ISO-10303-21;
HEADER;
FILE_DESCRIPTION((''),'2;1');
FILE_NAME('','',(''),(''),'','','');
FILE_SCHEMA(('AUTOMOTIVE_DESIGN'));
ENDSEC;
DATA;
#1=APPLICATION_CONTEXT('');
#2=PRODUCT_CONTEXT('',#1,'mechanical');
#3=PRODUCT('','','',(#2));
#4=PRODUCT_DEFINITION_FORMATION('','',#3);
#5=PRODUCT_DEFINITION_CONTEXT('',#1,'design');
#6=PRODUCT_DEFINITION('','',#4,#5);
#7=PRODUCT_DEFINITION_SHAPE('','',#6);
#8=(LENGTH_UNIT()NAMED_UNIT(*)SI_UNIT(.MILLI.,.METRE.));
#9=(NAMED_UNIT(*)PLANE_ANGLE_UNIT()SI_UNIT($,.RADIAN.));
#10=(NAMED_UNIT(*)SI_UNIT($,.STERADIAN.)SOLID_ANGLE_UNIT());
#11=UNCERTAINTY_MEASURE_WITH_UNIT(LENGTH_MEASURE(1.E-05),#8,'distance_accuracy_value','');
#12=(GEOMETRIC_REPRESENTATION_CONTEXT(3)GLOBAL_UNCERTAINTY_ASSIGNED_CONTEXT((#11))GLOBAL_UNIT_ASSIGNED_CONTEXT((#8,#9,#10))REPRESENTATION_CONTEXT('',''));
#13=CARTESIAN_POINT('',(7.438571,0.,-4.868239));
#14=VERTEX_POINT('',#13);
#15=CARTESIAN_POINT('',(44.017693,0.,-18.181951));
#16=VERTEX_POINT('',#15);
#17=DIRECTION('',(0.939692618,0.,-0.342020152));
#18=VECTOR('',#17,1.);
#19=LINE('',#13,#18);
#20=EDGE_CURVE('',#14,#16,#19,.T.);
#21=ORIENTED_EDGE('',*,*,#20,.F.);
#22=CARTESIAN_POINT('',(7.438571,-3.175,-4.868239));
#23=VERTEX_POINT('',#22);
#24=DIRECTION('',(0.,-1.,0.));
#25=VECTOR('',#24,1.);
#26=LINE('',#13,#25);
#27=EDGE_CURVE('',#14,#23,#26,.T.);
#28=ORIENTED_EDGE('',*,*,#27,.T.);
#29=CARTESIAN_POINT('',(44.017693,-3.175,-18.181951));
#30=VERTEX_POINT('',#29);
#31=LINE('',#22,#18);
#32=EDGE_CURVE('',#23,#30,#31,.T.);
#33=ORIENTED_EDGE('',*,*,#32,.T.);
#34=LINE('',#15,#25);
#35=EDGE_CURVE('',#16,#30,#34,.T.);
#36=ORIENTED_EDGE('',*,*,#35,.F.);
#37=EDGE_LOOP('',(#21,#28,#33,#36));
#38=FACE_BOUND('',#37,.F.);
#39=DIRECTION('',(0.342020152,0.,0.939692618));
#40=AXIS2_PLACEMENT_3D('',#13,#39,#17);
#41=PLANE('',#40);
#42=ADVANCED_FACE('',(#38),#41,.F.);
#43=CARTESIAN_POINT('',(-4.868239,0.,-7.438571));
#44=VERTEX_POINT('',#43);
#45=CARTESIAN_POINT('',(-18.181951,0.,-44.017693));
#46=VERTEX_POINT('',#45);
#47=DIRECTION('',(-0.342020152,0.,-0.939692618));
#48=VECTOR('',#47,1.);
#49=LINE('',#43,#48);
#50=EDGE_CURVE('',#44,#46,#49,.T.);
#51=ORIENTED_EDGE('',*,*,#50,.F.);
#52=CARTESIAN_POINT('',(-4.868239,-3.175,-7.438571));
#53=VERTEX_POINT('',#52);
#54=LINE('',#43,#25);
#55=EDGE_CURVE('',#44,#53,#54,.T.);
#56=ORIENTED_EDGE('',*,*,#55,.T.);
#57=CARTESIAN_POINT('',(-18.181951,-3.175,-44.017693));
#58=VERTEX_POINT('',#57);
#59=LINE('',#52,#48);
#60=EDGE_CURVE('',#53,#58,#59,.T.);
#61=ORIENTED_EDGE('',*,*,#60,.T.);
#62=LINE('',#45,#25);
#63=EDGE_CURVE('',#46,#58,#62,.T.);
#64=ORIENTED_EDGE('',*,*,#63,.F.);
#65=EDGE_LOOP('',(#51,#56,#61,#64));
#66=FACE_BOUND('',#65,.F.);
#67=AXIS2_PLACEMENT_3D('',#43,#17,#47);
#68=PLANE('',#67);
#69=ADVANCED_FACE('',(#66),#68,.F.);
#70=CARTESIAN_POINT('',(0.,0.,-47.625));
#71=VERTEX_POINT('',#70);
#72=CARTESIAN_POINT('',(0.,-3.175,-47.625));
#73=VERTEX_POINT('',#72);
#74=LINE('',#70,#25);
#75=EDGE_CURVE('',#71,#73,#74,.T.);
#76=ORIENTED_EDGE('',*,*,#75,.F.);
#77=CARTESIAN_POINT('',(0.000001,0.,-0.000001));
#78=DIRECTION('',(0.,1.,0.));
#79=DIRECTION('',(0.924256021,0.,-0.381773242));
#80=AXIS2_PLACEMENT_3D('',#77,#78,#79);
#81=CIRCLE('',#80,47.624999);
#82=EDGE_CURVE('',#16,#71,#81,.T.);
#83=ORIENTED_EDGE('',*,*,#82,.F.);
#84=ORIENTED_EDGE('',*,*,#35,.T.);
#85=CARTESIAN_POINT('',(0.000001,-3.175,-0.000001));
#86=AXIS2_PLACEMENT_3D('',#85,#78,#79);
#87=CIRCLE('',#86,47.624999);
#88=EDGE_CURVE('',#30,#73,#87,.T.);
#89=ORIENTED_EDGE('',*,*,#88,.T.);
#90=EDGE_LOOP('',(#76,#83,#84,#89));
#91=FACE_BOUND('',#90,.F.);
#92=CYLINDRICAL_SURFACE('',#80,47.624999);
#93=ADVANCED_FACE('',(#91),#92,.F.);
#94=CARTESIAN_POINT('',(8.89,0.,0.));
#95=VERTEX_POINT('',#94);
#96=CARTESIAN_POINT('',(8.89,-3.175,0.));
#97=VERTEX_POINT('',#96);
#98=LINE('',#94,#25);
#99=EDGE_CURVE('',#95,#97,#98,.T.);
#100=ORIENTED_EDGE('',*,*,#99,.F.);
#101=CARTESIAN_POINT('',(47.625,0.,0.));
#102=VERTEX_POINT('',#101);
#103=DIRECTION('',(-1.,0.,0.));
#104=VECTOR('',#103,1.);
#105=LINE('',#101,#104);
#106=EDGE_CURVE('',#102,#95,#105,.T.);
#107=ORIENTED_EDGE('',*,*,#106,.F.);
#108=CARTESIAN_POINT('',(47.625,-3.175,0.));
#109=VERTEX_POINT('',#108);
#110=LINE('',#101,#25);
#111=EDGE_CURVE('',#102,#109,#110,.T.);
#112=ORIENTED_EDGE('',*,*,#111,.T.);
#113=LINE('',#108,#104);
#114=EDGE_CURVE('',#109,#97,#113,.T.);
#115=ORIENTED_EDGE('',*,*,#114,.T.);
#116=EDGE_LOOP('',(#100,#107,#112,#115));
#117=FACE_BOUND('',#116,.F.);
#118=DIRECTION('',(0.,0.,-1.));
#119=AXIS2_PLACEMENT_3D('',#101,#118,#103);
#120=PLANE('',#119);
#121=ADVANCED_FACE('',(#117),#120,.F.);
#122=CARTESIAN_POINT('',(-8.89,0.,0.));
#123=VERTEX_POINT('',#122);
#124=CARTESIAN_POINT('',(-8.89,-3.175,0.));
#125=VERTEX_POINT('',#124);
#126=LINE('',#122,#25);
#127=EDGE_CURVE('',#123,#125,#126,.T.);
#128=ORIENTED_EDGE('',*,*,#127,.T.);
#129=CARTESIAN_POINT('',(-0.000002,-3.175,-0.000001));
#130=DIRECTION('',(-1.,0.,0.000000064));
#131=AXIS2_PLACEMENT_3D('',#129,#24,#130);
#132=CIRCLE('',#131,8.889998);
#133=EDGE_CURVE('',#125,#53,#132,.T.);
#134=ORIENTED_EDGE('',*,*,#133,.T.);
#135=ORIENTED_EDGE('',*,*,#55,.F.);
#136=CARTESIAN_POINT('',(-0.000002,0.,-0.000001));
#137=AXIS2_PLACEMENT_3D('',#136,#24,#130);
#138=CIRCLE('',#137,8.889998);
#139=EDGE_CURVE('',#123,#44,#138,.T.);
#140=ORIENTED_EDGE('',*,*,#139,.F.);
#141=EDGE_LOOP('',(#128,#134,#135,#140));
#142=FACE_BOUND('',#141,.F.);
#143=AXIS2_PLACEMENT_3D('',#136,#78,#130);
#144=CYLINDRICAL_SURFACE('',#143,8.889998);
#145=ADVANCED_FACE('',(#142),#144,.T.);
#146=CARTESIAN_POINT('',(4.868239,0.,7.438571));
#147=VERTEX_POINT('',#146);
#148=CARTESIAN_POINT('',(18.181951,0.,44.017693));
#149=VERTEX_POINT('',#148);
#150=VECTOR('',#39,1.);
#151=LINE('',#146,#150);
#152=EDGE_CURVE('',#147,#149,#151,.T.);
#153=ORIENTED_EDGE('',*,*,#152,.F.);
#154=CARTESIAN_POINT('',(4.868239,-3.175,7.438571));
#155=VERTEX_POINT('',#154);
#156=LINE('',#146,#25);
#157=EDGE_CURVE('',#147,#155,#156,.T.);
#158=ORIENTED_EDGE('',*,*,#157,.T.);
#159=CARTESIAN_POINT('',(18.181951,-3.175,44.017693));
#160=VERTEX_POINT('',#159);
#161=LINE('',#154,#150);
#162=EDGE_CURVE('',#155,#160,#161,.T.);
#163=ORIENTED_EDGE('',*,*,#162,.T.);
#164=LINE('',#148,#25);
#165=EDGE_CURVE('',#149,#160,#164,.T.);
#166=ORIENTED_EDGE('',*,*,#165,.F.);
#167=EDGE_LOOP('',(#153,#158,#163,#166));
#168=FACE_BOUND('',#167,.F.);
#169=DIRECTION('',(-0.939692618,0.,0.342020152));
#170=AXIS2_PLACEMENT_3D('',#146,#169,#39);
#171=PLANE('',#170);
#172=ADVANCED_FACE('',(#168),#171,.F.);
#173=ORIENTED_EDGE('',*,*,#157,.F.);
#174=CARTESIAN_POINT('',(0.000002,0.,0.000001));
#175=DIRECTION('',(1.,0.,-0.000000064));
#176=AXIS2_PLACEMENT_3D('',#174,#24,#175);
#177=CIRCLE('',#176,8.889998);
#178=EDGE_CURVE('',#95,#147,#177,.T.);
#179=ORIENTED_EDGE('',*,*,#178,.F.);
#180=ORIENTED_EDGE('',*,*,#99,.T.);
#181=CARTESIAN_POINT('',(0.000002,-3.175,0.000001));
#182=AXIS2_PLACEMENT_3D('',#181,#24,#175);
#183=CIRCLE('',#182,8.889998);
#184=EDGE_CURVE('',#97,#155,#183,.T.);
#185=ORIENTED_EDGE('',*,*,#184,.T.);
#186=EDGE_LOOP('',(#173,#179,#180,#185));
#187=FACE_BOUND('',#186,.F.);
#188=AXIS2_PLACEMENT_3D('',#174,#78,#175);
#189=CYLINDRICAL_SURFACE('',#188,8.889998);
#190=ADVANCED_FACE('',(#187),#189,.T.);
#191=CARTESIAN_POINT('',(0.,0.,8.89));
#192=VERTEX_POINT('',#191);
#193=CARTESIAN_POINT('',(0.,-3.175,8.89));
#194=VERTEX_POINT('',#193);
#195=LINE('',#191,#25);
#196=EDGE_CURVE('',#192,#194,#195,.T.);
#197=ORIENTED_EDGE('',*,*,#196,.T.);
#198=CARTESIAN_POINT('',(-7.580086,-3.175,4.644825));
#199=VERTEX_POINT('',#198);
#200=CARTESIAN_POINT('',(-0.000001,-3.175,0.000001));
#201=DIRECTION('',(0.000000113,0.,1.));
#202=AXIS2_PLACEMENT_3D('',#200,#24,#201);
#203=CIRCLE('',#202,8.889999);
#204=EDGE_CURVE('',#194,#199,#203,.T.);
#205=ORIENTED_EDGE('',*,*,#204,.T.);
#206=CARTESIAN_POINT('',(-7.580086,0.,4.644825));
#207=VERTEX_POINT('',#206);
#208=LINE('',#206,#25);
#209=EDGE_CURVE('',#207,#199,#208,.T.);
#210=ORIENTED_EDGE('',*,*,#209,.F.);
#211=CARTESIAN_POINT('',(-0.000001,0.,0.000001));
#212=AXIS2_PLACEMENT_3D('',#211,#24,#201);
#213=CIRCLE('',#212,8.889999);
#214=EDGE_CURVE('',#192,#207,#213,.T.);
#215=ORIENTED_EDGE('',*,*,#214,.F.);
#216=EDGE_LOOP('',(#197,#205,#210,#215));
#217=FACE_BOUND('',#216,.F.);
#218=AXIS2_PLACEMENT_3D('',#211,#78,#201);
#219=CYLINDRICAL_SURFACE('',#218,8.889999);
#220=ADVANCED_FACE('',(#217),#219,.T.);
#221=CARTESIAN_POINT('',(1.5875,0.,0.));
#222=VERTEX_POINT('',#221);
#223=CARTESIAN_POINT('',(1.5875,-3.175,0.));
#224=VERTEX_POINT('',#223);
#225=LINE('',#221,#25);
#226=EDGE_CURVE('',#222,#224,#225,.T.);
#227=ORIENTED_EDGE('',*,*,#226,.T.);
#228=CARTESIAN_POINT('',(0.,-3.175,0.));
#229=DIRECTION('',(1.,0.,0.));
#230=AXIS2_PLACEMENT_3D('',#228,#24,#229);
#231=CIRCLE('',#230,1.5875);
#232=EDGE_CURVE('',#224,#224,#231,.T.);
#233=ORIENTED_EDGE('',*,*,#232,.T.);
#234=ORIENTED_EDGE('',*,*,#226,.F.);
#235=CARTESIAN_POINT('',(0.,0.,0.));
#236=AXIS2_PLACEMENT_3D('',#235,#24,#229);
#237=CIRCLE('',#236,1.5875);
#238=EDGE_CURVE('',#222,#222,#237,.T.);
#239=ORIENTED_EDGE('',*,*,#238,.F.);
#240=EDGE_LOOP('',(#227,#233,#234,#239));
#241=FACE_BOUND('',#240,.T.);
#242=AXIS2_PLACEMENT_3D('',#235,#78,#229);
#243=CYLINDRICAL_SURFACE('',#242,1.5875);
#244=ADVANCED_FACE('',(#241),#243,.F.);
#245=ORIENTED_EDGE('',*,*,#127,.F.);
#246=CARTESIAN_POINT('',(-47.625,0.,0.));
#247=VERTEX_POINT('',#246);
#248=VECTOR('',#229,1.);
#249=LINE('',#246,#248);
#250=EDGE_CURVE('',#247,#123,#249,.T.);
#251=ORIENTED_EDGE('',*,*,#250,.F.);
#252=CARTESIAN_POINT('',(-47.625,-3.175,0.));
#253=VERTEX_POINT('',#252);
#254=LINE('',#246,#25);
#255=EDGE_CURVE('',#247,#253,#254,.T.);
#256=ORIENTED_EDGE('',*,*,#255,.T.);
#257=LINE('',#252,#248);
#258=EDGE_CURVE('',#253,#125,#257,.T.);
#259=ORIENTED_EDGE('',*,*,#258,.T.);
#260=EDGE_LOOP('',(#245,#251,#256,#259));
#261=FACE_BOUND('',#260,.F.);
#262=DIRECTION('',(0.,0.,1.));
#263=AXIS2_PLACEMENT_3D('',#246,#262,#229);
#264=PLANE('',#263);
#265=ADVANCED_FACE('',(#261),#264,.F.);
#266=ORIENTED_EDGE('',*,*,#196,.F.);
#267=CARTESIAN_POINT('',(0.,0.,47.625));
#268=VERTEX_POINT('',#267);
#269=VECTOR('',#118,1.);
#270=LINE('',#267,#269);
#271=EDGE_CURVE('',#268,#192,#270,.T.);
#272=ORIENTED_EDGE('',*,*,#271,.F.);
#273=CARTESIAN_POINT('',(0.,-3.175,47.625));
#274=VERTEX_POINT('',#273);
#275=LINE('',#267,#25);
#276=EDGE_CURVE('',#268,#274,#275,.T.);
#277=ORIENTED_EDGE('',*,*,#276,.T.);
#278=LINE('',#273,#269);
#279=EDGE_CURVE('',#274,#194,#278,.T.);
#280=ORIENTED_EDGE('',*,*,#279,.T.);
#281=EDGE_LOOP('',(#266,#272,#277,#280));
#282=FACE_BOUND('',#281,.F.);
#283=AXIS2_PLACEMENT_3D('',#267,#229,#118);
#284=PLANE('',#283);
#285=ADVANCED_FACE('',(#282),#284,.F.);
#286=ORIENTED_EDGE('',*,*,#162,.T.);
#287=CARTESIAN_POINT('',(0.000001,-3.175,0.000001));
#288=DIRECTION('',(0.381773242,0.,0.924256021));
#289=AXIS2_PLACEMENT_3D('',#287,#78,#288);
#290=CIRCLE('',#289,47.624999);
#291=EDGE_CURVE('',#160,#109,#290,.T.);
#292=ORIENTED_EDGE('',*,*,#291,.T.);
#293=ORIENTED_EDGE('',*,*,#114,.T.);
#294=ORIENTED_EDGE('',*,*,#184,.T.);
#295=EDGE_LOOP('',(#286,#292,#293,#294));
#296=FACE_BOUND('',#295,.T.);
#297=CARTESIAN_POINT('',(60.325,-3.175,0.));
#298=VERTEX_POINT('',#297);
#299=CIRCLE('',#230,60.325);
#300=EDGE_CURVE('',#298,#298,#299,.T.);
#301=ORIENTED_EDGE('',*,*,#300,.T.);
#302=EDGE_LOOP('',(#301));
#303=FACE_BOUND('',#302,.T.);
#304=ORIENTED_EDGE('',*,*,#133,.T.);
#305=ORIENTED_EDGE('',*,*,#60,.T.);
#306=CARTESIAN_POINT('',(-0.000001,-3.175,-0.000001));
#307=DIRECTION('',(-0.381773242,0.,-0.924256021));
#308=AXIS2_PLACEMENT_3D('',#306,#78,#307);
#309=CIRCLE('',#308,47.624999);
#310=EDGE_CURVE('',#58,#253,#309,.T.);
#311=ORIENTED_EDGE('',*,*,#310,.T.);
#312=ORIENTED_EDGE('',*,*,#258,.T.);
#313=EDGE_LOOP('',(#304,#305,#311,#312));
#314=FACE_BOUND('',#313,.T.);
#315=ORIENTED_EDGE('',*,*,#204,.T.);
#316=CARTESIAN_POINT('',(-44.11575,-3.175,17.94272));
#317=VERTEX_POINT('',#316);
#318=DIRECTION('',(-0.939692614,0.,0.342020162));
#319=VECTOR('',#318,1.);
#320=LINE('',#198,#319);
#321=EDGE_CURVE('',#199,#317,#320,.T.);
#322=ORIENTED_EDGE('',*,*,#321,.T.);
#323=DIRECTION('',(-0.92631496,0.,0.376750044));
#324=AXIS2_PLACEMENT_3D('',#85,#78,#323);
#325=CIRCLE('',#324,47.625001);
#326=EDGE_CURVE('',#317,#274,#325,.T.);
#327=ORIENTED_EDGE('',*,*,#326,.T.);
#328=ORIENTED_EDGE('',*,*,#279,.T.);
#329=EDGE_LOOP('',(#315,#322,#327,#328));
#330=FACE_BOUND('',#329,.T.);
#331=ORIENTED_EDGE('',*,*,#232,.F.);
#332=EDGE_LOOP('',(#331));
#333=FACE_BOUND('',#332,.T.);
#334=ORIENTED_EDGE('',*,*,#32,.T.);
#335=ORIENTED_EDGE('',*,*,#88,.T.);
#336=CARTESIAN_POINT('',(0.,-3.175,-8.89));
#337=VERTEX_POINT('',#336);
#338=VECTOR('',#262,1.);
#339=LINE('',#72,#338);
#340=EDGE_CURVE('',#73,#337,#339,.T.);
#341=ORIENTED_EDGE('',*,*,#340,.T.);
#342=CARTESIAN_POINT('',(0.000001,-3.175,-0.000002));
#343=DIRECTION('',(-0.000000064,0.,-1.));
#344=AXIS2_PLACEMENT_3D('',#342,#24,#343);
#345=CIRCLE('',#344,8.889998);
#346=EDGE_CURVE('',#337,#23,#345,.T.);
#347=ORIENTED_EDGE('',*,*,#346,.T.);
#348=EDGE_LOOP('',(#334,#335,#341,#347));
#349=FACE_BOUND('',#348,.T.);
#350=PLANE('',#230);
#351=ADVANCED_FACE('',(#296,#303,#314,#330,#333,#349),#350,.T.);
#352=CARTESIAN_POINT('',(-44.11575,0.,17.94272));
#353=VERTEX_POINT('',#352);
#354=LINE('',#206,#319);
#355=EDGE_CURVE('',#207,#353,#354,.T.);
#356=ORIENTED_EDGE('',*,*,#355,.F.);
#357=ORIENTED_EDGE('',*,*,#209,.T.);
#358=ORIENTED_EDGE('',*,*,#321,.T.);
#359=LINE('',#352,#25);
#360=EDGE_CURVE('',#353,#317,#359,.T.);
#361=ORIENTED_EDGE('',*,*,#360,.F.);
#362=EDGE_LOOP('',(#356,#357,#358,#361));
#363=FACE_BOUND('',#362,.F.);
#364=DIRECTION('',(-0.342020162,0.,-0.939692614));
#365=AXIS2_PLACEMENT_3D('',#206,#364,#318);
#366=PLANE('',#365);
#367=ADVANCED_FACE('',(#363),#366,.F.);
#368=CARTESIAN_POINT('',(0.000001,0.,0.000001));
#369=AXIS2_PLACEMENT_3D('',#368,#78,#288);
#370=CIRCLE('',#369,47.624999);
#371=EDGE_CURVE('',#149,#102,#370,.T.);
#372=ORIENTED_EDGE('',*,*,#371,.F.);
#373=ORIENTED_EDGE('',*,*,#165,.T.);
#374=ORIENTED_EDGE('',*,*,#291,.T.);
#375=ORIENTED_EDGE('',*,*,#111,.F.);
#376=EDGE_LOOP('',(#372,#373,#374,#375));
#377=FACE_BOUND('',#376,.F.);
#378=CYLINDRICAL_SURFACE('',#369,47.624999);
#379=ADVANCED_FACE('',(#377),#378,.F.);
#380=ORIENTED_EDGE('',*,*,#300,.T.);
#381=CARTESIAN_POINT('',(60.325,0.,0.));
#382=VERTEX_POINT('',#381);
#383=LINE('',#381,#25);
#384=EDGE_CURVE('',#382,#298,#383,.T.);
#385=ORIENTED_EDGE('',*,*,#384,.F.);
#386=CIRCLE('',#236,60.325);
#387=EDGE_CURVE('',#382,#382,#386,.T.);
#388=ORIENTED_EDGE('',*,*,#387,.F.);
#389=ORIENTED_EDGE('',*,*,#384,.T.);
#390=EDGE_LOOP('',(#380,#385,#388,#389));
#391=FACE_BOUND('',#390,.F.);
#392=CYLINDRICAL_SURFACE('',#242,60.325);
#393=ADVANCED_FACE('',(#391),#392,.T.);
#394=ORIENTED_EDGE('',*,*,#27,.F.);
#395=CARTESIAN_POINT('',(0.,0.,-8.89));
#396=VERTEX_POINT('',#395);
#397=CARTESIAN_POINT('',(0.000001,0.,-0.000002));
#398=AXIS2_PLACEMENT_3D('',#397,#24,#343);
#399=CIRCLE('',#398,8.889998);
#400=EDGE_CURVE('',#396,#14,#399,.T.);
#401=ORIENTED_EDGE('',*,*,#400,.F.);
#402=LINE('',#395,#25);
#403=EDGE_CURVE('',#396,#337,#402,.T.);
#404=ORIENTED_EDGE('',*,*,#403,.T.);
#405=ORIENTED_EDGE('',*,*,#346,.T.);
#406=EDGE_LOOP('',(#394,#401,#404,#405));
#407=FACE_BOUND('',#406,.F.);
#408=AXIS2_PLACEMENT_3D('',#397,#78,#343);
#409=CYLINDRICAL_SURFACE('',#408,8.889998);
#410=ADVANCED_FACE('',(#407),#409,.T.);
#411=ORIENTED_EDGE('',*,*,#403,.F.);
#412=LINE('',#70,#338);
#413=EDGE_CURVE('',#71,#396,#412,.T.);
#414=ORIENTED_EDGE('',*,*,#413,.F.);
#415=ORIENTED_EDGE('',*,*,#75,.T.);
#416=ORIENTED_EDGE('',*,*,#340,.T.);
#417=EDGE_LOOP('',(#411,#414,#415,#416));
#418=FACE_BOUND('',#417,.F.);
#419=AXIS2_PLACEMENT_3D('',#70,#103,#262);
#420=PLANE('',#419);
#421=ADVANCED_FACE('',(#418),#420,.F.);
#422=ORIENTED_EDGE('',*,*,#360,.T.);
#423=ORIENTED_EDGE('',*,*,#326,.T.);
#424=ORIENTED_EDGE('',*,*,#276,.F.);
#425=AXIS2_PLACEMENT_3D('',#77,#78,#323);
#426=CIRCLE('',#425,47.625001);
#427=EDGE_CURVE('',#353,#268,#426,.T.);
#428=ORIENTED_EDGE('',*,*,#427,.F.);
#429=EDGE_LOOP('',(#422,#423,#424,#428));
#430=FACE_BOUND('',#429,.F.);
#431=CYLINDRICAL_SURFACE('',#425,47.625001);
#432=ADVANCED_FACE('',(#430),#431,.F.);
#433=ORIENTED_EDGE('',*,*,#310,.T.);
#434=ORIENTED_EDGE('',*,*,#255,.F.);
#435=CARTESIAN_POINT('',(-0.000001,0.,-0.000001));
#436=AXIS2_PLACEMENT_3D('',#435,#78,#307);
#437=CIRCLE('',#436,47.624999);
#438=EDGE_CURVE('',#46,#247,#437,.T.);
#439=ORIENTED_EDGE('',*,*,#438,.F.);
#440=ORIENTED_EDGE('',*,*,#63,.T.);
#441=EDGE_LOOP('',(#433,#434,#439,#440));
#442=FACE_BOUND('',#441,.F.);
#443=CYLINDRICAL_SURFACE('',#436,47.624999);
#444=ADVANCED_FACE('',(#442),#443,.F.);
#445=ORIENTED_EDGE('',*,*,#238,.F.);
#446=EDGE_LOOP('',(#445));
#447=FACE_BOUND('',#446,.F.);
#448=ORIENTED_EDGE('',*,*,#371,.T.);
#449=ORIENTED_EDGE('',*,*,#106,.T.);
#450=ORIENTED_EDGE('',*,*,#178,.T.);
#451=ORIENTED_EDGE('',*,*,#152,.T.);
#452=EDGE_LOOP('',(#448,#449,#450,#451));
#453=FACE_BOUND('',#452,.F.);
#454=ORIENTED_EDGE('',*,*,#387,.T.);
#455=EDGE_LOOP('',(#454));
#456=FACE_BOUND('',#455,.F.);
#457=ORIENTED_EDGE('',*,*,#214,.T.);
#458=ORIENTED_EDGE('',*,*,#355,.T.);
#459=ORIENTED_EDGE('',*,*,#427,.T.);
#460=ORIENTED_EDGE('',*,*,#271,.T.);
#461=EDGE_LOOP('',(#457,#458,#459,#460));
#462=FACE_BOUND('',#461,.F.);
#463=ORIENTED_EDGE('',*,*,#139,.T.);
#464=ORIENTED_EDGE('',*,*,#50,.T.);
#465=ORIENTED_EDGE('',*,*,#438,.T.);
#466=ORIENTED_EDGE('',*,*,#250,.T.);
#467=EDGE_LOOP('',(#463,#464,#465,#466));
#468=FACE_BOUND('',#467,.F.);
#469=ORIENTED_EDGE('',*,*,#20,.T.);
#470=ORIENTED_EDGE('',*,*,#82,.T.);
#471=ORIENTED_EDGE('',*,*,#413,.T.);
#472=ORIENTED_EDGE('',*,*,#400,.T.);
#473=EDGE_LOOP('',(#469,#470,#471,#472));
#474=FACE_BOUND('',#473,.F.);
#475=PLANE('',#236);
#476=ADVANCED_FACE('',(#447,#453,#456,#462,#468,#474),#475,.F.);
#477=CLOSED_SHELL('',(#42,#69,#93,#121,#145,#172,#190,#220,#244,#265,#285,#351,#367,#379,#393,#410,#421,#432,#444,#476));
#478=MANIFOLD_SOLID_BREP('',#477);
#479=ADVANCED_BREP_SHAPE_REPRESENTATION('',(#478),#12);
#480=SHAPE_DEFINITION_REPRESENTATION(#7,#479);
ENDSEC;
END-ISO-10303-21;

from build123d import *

# Parameters (mm, degrees)
F0_R     = 60.325
F0_R_2   = 1.5875
F1_DEPTH = 3.175


with BuildPart() as f1:
    # F0 (on Front) → F1 (new body)
    with BuildSketch(Plane.XZ):
        Circle(F0_R)
        with BuildLine():
            ThreePointArc((-18.181951, -44.017693), (-39.585705, -26.478531), (-47.625, 0))
            Line((-47.625, 0), (-8.89, 0))
            ThreePointArc((-8.89, 0), (-7.82019, -4.228088), (-4.868239, -7.438571))
            Line((-4.868239, -7.438571), (-18.181951, -44.017693))
        make_face(mode=Mode.SUBTRACT)
        with BuildLine():
            ThreePointArc((0, -8.89), (4.228088, -7.82019), (7.438571, -4.868239))
            Line((7.438571, -4.868239), (44.017693, -18.181951))
            ThreePointArc((44.017693, -18.181951), (26.478531, -39.585705), (0, -47.625))
            Line((0, -47.625), (0, -8.89))
        make_face(mode=Mode.SUBTRACT)
        with BuildLine():
            Line((0, 47.625), (0, 8.89))
            ThreePointArc((0, 8.89), (-4.343939, 7.756436), (-7.580086, 4.644825))
            Line((-7.580086, 4.644825), (-44.11575, 17.94272))
            ThreePointArc((-44.11575, 17.94272), (-26.585885, 39.513685), (0, 47.625))
        make_face(mode=Mode.SUBTRACT)
        Circle(F0_R_2, mode=Mode.SUBTRACT)
        with BuildLine():
            ThreePointArc((8.89, 0), (7.82019, 4.228088), (4.868239, 7.438571))
            Line((4.868239, 7.438571), (18.181951, 44.017693))
            ThreePointArc((18.181951, 44.017693), (39.585705, 26.478531), (47.625, 0))
            Line((47.625, 0), (8.89, 0))
        make_face(mode=Mode.SUBTRACT)
    extrude(amount=F1_DEPTH)


solid = f1.part
